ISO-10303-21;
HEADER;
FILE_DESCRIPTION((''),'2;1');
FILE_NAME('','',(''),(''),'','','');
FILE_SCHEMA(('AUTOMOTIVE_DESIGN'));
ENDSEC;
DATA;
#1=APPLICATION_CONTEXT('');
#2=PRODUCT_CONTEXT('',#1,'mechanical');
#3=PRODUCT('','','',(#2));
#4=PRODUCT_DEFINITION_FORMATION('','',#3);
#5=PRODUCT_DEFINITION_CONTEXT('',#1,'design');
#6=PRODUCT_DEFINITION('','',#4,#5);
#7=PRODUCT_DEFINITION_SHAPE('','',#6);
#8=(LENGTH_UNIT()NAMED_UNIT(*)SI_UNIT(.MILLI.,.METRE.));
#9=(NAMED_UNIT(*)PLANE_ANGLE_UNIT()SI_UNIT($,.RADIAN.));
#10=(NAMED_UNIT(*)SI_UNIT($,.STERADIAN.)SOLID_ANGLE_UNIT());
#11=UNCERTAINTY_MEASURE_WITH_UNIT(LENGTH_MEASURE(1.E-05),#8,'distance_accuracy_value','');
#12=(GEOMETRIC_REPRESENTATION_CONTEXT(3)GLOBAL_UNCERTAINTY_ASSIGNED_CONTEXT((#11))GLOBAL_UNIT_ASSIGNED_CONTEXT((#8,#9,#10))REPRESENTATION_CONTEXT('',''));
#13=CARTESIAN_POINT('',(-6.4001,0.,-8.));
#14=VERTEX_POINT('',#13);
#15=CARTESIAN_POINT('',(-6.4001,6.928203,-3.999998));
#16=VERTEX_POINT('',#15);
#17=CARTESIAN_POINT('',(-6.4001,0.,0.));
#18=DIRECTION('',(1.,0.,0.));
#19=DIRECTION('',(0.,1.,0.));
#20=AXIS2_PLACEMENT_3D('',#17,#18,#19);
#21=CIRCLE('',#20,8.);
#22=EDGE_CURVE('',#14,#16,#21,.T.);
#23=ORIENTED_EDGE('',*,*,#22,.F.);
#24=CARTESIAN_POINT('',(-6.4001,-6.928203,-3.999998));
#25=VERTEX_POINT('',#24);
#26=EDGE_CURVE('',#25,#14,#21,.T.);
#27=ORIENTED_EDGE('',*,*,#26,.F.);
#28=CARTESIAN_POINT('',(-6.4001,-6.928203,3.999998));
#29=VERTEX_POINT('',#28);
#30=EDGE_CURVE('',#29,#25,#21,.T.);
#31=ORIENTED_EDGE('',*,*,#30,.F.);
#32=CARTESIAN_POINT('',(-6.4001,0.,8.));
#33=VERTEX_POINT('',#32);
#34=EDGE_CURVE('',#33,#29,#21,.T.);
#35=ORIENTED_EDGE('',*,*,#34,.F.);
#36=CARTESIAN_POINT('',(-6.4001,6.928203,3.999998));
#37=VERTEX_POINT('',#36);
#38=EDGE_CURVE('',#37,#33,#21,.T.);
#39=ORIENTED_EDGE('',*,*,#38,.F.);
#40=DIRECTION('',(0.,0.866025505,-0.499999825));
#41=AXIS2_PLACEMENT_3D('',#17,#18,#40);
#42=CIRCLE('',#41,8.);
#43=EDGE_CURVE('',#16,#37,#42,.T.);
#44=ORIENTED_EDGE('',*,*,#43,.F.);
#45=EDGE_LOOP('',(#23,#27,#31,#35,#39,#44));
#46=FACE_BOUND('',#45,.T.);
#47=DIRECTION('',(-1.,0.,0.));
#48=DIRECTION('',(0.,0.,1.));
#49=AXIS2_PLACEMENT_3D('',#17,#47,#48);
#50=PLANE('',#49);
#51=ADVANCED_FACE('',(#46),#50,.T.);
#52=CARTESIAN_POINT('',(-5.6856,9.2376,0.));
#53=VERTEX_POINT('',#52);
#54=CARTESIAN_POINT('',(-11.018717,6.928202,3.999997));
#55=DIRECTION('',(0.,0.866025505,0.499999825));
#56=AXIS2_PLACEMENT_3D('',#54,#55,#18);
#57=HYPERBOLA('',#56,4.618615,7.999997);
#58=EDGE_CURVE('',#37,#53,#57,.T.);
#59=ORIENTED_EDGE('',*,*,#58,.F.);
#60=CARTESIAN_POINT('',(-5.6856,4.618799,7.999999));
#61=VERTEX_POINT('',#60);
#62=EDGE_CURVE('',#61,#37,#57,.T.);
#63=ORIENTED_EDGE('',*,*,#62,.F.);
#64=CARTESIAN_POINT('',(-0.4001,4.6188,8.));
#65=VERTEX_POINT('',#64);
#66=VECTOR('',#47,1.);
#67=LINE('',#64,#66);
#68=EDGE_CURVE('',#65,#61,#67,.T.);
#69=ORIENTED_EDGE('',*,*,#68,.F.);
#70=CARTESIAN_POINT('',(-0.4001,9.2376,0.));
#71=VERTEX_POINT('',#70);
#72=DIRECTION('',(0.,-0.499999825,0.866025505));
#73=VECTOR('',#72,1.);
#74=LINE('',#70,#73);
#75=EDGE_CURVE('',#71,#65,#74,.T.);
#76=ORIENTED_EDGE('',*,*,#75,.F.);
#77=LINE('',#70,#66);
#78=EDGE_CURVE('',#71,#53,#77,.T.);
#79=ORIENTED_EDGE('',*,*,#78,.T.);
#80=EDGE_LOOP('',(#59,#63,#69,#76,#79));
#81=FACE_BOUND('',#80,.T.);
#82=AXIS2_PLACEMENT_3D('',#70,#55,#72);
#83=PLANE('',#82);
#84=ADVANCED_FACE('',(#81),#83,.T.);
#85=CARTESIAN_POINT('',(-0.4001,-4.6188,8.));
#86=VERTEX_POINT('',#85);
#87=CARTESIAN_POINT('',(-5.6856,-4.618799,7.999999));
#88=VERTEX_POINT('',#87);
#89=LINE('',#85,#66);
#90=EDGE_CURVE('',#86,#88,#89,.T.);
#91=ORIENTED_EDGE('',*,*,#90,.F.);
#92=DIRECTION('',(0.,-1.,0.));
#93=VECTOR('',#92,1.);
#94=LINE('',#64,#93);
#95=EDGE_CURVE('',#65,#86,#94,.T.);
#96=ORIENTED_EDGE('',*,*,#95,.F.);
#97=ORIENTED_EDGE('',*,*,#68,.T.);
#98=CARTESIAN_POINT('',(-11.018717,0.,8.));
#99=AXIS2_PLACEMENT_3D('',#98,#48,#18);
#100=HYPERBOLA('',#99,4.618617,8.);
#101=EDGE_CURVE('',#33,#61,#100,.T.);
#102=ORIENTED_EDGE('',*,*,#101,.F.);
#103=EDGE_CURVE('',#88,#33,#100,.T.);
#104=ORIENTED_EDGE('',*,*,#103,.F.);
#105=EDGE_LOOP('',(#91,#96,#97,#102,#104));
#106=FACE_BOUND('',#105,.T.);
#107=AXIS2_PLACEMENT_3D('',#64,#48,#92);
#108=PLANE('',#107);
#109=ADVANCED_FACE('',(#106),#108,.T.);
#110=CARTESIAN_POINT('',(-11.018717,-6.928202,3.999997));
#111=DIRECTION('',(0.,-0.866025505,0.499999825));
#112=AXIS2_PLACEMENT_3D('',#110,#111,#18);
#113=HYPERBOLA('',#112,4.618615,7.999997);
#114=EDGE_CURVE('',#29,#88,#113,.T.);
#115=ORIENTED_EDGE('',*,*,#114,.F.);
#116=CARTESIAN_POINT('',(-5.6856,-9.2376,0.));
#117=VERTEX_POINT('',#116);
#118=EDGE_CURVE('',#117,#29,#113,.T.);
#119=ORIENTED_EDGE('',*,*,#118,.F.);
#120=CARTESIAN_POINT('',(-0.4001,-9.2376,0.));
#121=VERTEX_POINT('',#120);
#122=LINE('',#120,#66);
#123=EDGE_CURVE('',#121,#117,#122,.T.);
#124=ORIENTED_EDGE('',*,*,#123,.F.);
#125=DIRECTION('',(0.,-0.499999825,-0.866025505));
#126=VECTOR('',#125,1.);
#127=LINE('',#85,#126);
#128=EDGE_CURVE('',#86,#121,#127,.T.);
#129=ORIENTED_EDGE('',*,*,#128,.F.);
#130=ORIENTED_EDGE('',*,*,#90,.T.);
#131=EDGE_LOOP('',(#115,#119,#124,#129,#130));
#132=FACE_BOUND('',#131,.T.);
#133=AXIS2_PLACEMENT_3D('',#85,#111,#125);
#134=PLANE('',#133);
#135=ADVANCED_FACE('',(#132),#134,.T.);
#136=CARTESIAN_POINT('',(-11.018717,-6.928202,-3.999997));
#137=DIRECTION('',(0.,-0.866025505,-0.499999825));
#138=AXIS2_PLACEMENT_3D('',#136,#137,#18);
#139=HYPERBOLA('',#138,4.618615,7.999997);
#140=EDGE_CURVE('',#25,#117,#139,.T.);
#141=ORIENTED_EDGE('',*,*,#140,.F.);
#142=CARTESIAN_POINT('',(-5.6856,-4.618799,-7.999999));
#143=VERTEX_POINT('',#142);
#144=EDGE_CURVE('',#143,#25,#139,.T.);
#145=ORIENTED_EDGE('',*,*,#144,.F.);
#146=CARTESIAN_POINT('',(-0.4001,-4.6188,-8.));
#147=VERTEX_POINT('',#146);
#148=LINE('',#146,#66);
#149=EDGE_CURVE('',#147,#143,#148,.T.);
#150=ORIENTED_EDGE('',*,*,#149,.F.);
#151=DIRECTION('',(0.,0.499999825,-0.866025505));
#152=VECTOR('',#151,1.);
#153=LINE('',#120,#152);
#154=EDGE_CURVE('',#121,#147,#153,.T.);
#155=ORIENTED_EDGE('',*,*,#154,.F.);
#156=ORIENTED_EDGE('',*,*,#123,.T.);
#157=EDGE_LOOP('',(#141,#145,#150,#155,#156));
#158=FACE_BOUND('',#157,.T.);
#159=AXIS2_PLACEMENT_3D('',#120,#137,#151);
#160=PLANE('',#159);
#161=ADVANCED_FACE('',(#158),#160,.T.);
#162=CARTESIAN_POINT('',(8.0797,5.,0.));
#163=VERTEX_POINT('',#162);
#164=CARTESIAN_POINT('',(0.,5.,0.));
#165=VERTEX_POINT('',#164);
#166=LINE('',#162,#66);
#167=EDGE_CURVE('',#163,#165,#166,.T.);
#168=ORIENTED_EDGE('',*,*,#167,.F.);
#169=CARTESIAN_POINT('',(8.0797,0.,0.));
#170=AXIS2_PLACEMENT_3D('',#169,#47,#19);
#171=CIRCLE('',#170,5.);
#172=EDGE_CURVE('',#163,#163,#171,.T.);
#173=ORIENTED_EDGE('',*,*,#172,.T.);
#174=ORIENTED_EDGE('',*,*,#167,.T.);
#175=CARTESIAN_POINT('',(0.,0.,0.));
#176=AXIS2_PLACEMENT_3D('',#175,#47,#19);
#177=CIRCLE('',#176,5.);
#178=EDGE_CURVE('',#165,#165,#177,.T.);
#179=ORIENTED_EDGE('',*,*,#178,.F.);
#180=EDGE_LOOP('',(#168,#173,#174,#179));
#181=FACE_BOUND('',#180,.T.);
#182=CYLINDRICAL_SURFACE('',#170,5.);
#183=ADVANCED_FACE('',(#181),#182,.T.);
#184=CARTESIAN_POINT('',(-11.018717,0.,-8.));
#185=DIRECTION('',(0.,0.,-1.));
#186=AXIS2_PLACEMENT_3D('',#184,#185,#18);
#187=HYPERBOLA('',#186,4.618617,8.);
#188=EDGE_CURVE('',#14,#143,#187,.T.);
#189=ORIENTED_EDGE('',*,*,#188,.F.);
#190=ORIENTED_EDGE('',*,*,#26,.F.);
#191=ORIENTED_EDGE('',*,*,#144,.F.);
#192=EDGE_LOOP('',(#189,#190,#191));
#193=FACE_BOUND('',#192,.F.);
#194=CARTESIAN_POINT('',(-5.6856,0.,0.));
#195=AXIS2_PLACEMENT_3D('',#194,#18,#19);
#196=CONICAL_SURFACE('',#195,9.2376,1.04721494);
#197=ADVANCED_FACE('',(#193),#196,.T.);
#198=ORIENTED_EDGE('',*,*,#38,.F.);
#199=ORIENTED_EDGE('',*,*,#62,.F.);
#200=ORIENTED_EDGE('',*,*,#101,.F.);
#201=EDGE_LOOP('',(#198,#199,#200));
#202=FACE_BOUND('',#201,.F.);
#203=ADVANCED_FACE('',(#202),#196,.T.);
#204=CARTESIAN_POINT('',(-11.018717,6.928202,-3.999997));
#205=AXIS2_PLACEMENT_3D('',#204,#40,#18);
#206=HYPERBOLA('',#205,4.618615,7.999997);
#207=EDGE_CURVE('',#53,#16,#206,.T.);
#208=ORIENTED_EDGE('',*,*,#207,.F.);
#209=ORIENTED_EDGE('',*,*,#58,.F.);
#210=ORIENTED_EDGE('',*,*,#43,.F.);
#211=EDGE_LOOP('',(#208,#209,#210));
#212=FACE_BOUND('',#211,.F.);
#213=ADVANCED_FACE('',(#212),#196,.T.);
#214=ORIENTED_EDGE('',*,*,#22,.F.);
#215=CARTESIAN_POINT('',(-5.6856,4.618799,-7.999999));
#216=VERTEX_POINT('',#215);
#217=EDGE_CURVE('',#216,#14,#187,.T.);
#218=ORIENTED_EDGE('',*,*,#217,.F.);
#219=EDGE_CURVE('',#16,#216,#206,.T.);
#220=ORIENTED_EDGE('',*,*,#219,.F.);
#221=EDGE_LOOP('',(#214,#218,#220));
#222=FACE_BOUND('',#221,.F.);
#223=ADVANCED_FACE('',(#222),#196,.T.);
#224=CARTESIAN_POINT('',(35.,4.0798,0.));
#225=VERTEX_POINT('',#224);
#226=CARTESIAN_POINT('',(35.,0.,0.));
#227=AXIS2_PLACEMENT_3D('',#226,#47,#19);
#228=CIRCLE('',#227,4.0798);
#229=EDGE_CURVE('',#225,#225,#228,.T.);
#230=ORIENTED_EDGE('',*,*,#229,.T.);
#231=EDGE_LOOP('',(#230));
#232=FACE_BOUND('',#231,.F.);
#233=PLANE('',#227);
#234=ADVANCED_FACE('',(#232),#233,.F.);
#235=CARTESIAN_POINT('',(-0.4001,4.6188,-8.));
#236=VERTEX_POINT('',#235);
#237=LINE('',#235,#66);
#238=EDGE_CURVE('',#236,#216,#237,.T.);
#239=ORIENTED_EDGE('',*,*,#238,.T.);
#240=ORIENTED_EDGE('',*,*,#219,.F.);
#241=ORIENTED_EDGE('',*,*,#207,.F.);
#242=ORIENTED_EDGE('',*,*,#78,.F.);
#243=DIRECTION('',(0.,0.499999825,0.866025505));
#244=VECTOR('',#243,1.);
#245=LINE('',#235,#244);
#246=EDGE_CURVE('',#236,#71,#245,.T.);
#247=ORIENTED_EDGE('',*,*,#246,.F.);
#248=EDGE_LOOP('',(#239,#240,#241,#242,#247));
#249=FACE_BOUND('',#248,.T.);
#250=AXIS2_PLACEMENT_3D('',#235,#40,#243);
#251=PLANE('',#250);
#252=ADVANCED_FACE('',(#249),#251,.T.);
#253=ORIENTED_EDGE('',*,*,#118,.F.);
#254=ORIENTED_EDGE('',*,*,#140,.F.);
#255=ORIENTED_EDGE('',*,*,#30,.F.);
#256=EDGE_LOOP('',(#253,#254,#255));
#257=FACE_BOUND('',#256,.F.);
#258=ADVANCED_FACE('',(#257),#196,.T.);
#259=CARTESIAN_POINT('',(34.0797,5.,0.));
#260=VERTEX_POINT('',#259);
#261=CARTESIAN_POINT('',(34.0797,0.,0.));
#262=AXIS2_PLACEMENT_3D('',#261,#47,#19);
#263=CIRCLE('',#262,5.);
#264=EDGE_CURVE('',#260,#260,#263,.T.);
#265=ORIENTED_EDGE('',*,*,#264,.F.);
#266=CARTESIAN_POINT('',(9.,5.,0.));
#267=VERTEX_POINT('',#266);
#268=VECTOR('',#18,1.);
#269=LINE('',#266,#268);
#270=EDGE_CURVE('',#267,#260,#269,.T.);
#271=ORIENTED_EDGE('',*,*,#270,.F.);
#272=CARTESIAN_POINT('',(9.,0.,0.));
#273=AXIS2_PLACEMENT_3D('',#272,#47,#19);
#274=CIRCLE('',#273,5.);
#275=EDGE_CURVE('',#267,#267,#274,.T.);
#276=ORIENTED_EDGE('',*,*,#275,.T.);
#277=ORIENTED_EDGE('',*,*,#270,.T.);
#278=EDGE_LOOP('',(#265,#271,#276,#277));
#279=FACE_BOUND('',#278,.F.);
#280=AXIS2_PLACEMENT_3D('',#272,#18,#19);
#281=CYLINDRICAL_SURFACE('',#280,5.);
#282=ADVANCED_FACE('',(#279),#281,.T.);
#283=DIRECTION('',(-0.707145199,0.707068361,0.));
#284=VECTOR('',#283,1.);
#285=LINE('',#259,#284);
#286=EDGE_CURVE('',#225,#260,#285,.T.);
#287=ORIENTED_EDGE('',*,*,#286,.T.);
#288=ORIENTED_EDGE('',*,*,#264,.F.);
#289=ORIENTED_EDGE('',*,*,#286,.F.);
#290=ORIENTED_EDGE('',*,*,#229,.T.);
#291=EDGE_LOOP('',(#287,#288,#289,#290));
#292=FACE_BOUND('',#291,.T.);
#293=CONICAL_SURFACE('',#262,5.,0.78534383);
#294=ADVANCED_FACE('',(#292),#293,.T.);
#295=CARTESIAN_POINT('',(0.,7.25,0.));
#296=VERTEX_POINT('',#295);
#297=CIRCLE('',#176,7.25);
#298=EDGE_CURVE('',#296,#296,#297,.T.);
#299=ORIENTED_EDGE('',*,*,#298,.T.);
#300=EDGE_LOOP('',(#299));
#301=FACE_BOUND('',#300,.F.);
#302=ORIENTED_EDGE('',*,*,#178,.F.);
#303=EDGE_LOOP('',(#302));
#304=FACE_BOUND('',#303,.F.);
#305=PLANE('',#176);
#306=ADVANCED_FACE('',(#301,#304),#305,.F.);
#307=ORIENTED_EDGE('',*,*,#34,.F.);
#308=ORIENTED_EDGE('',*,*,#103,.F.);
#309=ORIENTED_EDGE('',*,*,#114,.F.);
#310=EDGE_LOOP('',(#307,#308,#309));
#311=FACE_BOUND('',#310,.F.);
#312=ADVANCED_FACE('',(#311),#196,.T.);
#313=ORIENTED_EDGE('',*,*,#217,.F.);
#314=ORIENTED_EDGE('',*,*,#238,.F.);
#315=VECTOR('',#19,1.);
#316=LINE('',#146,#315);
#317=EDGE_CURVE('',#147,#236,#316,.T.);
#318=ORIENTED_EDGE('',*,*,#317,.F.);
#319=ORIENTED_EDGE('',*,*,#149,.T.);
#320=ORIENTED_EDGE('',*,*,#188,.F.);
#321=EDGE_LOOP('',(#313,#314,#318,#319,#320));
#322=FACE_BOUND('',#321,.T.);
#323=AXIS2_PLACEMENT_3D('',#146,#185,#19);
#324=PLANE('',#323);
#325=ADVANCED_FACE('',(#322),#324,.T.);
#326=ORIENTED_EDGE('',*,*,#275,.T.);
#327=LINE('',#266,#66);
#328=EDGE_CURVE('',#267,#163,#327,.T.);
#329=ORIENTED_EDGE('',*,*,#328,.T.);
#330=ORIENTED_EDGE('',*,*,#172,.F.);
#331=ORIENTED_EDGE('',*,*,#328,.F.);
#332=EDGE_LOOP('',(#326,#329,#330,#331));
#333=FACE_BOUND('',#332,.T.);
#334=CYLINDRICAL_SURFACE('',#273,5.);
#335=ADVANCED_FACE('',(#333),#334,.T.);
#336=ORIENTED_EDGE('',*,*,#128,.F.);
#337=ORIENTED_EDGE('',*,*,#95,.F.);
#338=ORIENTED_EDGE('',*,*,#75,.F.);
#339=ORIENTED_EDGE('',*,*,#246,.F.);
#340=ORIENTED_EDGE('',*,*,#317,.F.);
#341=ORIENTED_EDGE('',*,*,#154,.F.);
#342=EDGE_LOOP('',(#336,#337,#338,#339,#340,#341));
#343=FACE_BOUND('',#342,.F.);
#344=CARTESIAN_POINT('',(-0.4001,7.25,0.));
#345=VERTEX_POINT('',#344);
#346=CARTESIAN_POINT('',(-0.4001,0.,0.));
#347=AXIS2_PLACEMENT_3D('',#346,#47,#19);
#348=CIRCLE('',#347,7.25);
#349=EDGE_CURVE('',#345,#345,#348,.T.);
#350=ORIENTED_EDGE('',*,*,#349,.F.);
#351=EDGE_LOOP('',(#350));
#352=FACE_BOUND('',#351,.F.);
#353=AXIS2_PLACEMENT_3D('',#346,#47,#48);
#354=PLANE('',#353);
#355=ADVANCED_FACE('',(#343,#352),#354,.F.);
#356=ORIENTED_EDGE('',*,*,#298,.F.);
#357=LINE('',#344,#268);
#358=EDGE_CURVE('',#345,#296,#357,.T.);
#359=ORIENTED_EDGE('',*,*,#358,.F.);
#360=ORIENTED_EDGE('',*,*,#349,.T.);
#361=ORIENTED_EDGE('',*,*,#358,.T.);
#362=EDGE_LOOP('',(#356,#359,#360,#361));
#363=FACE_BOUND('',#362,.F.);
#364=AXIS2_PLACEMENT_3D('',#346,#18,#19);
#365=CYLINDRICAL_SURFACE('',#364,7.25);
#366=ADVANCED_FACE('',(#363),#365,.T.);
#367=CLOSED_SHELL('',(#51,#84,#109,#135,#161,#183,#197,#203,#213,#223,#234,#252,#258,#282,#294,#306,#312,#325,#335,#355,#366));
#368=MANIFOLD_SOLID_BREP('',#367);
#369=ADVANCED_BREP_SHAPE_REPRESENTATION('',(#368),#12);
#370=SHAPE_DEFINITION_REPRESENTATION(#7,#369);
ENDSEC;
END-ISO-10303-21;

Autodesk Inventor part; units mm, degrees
ref_plane "YZ Plane" through (0, 0, 0) normal (1, 0, 0) x (0, 1, 0)
ref_plane "XZ Plane" through (0, 0, 0) normal (0, 1, 0) x (-1, 0, 0)
sketch "草图1" plane through (0, 0, 0) normal (0, 0, 1) x (1, 0, 0)
  line L0 (0, 7.25) -> (0, 5)
  line L1 (9, 5) -> (35, 5)
  line L2 (35, 5) -> (35, 0)
  line L3 (35, 0) -> (-0.4001, 0)
  line L4 (-7.4801, 0) -> (42.08, 0) projected
  line L5 (-0.4001, 0) -> (-0.4001, 7.25)
  line L6 (-0.4001, 7.25) -> (0, 7.25)
  line L7 (9, 5) -> (8.0797, 5)
  line L8 (8.0797, 5) -> (0, 5)
  line L9 (0, -1.45) -> (0, 8.7) projected
  dimension "d0" = 35
  dimension "d1" = 26
  dimension "d2" = 10
  dimension "d9" = 0.4001
  dimension "d10" = 14.5
  dimension "d13" = 0.9203
  dimension "d14" = 10
revolve "轴承体" add sketch "草图1" angle 360 about axis through (35, 0, 0) along (-1, 0, 0)
sketch "草图2" plane through (-0.4001, 0, 0) normal (-1, 0, 0) x (0, 0, 1)
  line L0 (0, 9.2376) -> (8, 4.6188)
  line L1 (8, 4.6188) -> (8, -4.6188)
  line L2 (8, -4.6188) -> (0, -9.2376)
  line L3 (0, -9.2376) -> (-8, -4.6188)
  line L4 (-8, -4.6188) -> (-8, 4.6188)
  line L5 (-8, 4.6188) -> (0, 9.2376)
  point P0 (0, 0)
  point P1 (0, 0)
  dimension "d11" = 16
extrude "头" add sketch "草图2" along normal blind 6
sketch "草图4" plane through (0, 0, 0) normal (0, 0, 1) x (1, 0, 0)
  line L0 (-6.4001, 8) -> (-6.4001, 9.2376)
  line L1 (-6.4001, 9.2376) -> (-5.6856, 9.2376)
  line L2 (-5.6856, 9.2376) -> (-6.4001, 8)
  line L3 (-7.6001, 0) -> (0.7999, 0) projected
  line L4 (-0.4001, 9.2376) -> (-6.4001, 9.2376) projected
  line L5 (-6.4001, 4.6188) -> (-6.4001, 9.2376) projected
  dimension "d5" = 30
  dimension "d19" = 16
revolve "倒角1" cut sketch "草图4" angle 360 about axis through (-10, 0, 0) along (1, 0, 0)
thread "螺纹" size "M10x1.5" designation "M10" class "6g" standard "GB Metric profile" length 26
chamfer "倒角2" distance 0.9202 distance2 0.9203 1 edges at (35, -5, 0) measured on face at (35, -0.8768, 0.3989)
ref_plane "Work Plane1" through (1.525, 0, 0) normal (0, 0, 1) x (1, 0, 0)
equation "\"d11\" = SW"
equation "\"d3\" = KOH - SD"
equation "\"d15\" = GEL"
equation "\"d6\" = -0.5 * SPD + 0.5 * GD"
equation "\"d0\" = NLG"
equation "\"d1\" = GEL"
equation "\"d2\" = GD"
equation "\"d10\" = SD2"
equation "\"d14\" = BDM"
equation "\"d5\" = ANG1"
equation "\"d19\" = SW0"
equation "\"NLG\" = 35"
equation "\"GD\" = NND"
equation "\"BDM\" = NND"
equation "\"KOH\" = 6.4"
equation "\"GEL\" = 26"
equation "\"SW\" = 16"
equation "\"SW0\" = SW"
equation "\"SPD\" = NND - 1.2269 * PTC"
equation "\"SD2\" = SDH"
equation "\"SD\" = WFT"
equation "\"ANG1\" = 30deg"
equation "\"GAL\" = 0.61345 * PTC"
equation "\"GUL\" = 0.61345 * PTC"
equation "\"RR\" = 0.4"
equation "\"WFT\" = 0.4"
equation "\"GD1\" = THREADDIA - 1.2269 * PTC"
equation "\"SDH\" = 14.5"
equation "\"TOA\" = 30deg"
equation "\"FAWI\" = 45deg"
equation "\"PTC\" = 1.5"
equation "\"E0\" = 1.155 * SW"
equation "\"NND\" = 10"
equation "\"THREADDIA\" = 10"
properties part number "螺栓 GB/T 5782 M10 x 35" material "钢，软"
